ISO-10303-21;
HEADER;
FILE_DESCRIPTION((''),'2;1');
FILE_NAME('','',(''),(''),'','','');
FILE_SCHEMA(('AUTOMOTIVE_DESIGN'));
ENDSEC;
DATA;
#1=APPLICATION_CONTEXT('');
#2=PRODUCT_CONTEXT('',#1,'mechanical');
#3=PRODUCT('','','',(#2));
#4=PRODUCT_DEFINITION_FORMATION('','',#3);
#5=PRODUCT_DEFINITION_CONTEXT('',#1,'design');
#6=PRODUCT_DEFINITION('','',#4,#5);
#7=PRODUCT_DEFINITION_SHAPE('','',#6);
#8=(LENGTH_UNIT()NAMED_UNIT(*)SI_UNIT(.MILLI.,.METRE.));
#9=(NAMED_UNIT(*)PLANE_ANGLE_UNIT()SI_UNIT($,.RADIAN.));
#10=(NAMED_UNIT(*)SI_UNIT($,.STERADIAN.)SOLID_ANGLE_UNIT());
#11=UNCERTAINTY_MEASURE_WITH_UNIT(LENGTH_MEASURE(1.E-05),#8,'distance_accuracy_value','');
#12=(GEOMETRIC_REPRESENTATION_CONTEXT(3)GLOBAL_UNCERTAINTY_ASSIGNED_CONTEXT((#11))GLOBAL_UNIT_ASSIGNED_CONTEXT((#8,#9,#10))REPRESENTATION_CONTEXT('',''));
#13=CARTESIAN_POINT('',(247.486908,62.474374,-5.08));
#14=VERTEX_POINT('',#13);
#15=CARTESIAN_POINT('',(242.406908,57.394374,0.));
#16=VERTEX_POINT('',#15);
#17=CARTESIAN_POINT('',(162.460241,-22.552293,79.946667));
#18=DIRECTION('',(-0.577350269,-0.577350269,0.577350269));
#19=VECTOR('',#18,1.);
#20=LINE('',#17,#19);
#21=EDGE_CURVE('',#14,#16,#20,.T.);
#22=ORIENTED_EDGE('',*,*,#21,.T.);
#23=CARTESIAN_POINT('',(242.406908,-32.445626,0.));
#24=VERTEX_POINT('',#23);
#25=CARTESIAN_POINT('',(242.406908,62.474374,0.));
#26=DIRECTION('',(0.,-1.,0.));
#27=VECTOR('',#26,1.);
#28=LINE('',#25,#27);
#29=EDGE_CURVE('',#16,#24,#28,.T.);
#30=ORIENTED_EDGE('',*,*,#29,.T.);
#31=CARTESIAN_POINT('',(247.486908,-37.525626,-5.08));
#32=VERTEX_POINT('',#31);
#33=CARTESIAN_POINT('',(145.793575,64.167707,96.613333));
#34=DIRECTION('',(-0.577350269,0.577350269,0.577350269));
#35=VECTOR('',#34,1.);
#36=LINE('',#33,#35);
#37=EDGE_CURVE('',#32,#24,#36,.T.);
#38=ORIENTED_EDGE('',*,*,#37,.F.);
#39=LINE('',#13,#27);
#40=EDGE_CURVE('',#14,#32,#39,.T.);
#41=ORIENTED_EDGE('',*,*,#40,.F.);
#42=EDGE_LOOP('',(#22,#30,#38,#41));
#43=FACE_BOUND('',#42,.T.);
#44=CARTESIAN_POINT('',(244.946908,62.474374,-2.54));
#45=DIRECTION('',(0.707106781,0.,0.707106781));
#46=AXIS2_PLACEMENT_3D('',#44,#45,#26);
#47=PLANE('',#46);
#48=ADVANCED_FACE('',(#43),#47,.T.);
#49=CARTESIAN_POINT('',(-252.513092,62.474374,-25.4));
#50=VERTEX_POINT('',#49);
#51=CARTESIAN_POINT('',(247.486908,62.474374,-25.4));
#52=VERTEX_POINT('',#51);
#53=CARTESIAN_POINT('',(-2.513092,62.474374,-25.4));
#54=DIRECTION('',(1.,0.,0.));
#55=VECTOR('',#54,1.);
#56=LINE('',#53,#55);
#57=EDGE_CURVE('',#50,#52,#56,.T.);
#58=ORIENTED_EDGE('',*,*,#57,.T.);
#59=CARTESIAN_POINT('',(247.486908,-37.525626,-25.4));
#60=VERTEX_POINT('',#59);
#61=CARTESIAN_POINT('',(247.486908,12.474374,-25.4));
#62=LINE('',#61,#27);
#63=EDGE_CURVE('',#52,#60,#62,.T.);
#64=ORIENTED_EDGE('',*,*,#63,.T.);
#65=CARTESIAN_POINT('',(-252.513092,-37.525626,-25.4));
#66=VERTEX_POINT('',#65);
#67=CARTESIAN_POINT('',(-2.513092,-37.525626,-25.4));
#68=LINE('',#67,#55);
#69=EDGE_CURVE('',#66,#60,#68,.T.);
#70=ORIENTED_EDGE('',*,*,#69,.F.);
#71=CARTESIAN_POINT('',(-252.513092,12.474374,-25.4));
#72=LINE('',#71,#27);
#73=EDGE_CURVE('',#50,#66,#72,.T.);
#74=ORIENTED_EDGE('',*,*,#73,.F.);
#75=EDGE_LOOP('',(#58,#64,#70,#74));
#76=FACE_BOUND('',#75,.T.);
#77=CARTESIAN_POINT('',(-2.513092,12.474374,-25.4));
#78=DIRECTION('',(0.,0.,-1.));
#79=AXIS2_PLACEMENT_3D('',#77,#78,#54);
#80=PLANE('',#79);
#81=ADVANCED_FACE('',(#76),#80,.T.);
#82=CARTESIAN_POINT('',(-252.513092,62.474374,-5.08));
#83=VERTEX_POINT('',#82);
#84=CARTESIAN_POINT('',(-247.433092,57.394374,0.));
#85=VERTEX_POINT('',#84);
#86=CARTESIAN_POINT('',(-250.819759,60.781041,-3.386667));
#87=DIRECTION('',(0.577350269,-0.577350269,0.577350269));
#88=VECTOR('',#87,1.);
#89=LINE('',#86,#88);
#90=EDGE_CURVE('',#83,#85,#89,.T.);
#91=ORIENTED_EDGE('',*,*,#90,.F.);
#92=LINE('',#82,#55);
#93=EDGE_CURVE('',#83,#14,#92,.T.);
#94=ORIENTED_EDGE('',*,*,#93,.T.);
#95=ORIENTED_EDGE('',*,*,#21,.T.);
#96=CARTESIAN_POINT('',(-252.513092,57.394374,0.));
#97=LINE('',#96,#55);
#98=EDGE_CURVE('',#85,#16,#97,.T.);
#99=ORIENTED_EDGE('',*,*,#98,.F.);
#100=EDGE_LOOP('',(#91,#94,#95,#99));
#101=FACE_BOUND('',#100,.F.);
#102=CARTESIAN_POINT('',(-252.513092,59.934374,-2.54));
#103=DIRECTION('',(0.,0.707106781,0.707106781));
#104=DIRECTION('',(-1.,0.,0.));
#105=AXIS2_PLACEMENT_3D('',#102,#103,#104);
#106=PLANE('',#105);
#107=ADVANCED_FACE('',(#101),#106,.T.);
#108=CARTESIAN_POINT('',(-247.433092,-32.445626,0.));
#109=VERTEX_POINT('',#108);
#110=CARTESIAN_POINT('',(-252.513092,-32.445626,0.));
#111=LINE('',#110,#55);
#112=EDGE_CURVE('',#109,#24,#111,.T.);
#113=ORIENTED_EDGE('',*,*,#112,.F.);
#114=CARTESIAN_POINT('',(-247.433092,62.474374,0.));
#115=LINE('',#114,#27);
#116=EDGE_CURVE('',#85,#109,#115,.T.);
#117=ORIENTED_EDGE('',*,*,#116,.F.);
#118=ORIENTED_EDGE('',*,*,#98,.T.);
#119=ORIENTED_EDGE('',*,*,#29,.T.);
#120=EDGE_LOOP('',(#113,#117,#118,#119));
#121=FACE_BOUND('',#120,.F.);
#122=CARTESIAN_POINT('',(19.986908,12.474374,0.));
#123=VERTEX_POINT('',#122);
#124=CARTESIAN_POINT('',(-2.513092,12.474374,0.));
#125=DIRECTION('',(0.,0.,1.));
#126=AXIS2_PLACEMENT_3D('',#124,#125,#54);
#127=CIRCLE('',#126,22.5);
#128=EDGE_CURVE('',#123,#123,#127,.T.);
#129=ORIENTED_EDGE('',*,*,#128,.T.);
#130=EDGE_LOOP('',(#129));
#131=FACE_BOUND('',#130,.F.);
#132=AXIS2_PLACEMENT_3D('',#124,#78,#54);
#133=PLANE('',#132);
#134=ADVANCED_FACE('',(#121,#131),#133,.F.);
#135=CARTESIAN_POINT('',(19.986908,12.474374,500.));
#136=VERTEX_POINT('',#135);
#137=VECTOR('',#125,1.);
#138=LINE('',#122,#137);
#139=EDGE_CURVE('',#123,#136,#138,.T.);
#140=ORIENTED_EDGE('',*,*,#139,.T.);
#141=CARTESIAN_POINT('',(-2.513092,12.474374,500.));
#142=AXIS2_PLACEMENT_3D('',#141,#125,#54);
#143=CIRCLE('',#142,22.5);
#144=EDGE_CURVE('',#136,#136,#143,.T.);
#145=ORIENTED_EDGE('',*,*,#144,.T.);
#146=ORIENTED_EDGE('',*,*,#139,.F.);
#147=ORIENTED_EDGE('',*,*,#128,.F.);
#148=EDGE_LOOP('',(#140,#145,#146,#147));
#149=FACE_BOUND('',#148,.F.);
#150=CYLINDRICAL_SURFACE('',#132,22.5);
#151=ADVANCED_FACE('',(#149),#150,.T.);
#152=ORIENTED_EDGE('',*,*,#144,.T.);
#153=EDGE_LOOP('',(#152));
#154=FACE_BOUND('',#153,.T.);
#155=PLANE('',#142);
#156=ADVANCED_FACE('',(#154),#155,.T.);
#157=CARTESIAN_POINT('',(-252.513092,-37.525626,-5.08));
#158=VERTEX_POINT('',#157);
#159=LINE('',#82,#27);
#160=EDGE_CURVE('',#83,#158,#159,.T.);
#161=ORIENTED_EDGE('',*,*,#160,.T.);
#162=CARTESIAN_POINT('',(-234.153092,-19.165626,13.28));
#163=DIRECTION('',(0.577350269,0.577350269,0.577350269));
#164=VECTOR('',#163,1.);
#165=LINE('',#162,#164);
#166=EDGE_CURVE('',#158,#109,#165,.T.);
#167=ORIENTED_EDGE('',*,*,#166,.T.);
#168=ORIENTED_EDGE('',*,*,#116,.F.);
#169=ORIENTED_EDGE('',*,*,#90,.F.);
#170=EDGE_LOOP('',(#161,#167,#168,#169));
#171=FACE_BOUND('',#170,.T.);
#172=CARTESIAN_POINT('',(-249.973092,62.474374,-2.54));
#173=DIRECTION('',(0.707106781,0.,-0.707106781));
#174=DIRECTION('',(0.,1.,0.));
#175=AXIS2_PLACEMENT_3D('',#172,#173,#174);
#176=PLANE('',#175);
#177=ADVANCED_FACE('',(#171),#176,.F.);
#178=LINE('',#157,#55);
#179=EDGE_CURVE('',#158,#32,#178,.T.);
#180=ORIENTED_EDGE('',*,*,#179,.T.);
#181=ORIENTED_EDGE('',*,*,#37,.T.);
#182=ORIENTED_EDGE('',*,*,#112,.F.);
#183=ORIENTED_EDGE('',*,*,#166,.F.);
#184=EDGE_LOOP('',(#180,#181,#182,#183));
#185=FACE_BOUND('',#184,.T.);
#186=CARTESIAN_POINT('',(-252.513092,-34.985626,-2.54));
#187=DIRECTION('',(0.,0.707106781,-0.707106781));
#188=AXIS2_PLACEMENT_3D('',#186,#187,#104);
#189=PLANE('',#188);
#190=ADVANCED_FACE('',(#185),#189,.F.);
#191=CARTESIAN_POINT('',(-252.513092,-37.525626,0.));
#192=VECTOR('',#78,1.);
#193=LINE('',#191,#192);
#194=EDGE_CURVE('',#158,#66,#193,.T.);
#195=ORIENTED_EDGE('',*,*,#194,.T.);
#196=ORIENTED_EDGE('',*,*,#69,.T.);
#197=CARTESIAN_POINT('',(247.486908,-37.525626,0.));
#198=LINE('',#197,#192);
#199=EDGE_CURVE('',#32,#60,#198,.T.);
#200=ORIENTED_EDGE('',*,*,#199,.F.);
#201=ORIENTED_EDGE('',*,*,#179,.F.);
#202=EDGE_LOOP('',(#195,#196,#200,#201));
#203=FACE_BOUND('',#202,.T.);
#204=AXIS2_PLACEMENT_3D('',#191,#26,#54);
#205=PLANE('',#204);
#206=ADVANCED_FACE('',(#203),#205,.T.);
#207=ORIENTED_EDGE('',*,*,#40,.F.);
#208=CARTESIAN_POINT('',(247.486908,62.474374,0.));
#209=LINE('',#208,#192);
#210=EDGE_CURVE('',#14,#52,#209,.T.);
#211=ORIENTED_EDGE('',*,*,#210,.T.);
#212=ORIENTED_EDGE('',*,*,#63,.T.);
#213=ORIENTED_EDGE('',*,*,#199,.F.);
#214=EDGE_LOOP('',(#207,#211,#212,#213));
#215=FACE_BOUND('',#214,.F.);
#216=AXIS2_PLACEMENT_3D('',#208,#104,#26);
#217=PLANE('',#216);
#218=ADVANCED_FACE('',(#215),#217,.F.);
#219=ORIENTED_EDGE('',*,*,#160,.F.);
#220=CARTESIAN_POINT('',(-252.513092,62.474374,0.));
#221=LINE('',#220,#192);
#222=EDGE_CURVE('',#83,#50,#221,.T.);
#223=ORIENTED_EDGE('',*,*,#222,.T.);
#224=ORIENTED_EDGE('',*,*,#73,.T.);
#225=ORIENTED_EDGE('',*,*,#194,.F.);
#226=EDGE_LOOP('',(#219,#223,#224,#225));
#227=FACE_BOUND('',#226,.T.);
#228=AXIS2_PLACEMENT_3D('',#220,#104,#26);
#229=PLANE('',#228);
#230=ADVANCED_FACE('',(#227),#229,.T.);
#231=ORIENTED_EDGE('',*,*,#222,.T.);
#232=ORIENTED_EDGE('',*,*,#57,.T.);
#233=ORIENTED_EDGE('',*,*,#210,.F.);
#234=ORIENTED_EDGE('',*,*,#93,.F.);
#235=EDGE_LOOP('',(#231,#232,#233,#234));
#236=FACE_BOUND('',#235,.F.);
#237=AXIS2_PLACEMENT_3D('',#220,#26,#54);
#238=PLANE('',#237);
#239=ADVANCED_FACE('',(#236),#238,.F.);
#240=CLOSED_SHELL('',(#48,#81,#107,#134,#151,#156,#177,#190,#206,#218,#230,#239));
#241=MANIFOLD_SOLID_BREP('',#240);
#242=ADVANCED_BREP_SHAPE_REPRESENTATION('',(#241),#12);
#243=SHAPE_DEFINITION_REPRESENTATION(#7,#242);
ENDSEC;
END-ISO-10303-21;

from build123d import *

# Parameters (mm, degrees)
F0_R     = 22.5
F1_DEPTH = 500
F2_W     = 500
F2_H     = 100
F3_DEPTH = 25.4
F4_SIZE  = 5.08


with BuildPart() as f1:
    # F0 (on Top) → F1 (new body)
    with BuildSketch(Plane.XY):
        with Locations((-2.513092, 12.474374)):
            Circle(F0_R)
    extrude(amount=F1_DEPTH)

    # F2 (on face) → F3 (join)
    with BuildSketch(Plane(origin=(0, 0, 0), x_dir=(1, 0, 0), z_dir=(0, 0, -1))):
        with Locations((-2.513092, -12.474374)):
            Rectangle(F2_W, F2_H)
    extrude(amount=F3_DEPTH)

    # F4
    f4_edges = [f1.edges().sort_by_distance(p)[0] for p in [
        (-2.513092, -37.525626, 0),
        (-252.513092, 12.474374, 0),
        (-2.513092, 62.474374, 0),
        (247.486908, 12.474374, 0),
    ]]
    chamfer(f4_edges, length=F4_SIZE)


solid = f1.part
